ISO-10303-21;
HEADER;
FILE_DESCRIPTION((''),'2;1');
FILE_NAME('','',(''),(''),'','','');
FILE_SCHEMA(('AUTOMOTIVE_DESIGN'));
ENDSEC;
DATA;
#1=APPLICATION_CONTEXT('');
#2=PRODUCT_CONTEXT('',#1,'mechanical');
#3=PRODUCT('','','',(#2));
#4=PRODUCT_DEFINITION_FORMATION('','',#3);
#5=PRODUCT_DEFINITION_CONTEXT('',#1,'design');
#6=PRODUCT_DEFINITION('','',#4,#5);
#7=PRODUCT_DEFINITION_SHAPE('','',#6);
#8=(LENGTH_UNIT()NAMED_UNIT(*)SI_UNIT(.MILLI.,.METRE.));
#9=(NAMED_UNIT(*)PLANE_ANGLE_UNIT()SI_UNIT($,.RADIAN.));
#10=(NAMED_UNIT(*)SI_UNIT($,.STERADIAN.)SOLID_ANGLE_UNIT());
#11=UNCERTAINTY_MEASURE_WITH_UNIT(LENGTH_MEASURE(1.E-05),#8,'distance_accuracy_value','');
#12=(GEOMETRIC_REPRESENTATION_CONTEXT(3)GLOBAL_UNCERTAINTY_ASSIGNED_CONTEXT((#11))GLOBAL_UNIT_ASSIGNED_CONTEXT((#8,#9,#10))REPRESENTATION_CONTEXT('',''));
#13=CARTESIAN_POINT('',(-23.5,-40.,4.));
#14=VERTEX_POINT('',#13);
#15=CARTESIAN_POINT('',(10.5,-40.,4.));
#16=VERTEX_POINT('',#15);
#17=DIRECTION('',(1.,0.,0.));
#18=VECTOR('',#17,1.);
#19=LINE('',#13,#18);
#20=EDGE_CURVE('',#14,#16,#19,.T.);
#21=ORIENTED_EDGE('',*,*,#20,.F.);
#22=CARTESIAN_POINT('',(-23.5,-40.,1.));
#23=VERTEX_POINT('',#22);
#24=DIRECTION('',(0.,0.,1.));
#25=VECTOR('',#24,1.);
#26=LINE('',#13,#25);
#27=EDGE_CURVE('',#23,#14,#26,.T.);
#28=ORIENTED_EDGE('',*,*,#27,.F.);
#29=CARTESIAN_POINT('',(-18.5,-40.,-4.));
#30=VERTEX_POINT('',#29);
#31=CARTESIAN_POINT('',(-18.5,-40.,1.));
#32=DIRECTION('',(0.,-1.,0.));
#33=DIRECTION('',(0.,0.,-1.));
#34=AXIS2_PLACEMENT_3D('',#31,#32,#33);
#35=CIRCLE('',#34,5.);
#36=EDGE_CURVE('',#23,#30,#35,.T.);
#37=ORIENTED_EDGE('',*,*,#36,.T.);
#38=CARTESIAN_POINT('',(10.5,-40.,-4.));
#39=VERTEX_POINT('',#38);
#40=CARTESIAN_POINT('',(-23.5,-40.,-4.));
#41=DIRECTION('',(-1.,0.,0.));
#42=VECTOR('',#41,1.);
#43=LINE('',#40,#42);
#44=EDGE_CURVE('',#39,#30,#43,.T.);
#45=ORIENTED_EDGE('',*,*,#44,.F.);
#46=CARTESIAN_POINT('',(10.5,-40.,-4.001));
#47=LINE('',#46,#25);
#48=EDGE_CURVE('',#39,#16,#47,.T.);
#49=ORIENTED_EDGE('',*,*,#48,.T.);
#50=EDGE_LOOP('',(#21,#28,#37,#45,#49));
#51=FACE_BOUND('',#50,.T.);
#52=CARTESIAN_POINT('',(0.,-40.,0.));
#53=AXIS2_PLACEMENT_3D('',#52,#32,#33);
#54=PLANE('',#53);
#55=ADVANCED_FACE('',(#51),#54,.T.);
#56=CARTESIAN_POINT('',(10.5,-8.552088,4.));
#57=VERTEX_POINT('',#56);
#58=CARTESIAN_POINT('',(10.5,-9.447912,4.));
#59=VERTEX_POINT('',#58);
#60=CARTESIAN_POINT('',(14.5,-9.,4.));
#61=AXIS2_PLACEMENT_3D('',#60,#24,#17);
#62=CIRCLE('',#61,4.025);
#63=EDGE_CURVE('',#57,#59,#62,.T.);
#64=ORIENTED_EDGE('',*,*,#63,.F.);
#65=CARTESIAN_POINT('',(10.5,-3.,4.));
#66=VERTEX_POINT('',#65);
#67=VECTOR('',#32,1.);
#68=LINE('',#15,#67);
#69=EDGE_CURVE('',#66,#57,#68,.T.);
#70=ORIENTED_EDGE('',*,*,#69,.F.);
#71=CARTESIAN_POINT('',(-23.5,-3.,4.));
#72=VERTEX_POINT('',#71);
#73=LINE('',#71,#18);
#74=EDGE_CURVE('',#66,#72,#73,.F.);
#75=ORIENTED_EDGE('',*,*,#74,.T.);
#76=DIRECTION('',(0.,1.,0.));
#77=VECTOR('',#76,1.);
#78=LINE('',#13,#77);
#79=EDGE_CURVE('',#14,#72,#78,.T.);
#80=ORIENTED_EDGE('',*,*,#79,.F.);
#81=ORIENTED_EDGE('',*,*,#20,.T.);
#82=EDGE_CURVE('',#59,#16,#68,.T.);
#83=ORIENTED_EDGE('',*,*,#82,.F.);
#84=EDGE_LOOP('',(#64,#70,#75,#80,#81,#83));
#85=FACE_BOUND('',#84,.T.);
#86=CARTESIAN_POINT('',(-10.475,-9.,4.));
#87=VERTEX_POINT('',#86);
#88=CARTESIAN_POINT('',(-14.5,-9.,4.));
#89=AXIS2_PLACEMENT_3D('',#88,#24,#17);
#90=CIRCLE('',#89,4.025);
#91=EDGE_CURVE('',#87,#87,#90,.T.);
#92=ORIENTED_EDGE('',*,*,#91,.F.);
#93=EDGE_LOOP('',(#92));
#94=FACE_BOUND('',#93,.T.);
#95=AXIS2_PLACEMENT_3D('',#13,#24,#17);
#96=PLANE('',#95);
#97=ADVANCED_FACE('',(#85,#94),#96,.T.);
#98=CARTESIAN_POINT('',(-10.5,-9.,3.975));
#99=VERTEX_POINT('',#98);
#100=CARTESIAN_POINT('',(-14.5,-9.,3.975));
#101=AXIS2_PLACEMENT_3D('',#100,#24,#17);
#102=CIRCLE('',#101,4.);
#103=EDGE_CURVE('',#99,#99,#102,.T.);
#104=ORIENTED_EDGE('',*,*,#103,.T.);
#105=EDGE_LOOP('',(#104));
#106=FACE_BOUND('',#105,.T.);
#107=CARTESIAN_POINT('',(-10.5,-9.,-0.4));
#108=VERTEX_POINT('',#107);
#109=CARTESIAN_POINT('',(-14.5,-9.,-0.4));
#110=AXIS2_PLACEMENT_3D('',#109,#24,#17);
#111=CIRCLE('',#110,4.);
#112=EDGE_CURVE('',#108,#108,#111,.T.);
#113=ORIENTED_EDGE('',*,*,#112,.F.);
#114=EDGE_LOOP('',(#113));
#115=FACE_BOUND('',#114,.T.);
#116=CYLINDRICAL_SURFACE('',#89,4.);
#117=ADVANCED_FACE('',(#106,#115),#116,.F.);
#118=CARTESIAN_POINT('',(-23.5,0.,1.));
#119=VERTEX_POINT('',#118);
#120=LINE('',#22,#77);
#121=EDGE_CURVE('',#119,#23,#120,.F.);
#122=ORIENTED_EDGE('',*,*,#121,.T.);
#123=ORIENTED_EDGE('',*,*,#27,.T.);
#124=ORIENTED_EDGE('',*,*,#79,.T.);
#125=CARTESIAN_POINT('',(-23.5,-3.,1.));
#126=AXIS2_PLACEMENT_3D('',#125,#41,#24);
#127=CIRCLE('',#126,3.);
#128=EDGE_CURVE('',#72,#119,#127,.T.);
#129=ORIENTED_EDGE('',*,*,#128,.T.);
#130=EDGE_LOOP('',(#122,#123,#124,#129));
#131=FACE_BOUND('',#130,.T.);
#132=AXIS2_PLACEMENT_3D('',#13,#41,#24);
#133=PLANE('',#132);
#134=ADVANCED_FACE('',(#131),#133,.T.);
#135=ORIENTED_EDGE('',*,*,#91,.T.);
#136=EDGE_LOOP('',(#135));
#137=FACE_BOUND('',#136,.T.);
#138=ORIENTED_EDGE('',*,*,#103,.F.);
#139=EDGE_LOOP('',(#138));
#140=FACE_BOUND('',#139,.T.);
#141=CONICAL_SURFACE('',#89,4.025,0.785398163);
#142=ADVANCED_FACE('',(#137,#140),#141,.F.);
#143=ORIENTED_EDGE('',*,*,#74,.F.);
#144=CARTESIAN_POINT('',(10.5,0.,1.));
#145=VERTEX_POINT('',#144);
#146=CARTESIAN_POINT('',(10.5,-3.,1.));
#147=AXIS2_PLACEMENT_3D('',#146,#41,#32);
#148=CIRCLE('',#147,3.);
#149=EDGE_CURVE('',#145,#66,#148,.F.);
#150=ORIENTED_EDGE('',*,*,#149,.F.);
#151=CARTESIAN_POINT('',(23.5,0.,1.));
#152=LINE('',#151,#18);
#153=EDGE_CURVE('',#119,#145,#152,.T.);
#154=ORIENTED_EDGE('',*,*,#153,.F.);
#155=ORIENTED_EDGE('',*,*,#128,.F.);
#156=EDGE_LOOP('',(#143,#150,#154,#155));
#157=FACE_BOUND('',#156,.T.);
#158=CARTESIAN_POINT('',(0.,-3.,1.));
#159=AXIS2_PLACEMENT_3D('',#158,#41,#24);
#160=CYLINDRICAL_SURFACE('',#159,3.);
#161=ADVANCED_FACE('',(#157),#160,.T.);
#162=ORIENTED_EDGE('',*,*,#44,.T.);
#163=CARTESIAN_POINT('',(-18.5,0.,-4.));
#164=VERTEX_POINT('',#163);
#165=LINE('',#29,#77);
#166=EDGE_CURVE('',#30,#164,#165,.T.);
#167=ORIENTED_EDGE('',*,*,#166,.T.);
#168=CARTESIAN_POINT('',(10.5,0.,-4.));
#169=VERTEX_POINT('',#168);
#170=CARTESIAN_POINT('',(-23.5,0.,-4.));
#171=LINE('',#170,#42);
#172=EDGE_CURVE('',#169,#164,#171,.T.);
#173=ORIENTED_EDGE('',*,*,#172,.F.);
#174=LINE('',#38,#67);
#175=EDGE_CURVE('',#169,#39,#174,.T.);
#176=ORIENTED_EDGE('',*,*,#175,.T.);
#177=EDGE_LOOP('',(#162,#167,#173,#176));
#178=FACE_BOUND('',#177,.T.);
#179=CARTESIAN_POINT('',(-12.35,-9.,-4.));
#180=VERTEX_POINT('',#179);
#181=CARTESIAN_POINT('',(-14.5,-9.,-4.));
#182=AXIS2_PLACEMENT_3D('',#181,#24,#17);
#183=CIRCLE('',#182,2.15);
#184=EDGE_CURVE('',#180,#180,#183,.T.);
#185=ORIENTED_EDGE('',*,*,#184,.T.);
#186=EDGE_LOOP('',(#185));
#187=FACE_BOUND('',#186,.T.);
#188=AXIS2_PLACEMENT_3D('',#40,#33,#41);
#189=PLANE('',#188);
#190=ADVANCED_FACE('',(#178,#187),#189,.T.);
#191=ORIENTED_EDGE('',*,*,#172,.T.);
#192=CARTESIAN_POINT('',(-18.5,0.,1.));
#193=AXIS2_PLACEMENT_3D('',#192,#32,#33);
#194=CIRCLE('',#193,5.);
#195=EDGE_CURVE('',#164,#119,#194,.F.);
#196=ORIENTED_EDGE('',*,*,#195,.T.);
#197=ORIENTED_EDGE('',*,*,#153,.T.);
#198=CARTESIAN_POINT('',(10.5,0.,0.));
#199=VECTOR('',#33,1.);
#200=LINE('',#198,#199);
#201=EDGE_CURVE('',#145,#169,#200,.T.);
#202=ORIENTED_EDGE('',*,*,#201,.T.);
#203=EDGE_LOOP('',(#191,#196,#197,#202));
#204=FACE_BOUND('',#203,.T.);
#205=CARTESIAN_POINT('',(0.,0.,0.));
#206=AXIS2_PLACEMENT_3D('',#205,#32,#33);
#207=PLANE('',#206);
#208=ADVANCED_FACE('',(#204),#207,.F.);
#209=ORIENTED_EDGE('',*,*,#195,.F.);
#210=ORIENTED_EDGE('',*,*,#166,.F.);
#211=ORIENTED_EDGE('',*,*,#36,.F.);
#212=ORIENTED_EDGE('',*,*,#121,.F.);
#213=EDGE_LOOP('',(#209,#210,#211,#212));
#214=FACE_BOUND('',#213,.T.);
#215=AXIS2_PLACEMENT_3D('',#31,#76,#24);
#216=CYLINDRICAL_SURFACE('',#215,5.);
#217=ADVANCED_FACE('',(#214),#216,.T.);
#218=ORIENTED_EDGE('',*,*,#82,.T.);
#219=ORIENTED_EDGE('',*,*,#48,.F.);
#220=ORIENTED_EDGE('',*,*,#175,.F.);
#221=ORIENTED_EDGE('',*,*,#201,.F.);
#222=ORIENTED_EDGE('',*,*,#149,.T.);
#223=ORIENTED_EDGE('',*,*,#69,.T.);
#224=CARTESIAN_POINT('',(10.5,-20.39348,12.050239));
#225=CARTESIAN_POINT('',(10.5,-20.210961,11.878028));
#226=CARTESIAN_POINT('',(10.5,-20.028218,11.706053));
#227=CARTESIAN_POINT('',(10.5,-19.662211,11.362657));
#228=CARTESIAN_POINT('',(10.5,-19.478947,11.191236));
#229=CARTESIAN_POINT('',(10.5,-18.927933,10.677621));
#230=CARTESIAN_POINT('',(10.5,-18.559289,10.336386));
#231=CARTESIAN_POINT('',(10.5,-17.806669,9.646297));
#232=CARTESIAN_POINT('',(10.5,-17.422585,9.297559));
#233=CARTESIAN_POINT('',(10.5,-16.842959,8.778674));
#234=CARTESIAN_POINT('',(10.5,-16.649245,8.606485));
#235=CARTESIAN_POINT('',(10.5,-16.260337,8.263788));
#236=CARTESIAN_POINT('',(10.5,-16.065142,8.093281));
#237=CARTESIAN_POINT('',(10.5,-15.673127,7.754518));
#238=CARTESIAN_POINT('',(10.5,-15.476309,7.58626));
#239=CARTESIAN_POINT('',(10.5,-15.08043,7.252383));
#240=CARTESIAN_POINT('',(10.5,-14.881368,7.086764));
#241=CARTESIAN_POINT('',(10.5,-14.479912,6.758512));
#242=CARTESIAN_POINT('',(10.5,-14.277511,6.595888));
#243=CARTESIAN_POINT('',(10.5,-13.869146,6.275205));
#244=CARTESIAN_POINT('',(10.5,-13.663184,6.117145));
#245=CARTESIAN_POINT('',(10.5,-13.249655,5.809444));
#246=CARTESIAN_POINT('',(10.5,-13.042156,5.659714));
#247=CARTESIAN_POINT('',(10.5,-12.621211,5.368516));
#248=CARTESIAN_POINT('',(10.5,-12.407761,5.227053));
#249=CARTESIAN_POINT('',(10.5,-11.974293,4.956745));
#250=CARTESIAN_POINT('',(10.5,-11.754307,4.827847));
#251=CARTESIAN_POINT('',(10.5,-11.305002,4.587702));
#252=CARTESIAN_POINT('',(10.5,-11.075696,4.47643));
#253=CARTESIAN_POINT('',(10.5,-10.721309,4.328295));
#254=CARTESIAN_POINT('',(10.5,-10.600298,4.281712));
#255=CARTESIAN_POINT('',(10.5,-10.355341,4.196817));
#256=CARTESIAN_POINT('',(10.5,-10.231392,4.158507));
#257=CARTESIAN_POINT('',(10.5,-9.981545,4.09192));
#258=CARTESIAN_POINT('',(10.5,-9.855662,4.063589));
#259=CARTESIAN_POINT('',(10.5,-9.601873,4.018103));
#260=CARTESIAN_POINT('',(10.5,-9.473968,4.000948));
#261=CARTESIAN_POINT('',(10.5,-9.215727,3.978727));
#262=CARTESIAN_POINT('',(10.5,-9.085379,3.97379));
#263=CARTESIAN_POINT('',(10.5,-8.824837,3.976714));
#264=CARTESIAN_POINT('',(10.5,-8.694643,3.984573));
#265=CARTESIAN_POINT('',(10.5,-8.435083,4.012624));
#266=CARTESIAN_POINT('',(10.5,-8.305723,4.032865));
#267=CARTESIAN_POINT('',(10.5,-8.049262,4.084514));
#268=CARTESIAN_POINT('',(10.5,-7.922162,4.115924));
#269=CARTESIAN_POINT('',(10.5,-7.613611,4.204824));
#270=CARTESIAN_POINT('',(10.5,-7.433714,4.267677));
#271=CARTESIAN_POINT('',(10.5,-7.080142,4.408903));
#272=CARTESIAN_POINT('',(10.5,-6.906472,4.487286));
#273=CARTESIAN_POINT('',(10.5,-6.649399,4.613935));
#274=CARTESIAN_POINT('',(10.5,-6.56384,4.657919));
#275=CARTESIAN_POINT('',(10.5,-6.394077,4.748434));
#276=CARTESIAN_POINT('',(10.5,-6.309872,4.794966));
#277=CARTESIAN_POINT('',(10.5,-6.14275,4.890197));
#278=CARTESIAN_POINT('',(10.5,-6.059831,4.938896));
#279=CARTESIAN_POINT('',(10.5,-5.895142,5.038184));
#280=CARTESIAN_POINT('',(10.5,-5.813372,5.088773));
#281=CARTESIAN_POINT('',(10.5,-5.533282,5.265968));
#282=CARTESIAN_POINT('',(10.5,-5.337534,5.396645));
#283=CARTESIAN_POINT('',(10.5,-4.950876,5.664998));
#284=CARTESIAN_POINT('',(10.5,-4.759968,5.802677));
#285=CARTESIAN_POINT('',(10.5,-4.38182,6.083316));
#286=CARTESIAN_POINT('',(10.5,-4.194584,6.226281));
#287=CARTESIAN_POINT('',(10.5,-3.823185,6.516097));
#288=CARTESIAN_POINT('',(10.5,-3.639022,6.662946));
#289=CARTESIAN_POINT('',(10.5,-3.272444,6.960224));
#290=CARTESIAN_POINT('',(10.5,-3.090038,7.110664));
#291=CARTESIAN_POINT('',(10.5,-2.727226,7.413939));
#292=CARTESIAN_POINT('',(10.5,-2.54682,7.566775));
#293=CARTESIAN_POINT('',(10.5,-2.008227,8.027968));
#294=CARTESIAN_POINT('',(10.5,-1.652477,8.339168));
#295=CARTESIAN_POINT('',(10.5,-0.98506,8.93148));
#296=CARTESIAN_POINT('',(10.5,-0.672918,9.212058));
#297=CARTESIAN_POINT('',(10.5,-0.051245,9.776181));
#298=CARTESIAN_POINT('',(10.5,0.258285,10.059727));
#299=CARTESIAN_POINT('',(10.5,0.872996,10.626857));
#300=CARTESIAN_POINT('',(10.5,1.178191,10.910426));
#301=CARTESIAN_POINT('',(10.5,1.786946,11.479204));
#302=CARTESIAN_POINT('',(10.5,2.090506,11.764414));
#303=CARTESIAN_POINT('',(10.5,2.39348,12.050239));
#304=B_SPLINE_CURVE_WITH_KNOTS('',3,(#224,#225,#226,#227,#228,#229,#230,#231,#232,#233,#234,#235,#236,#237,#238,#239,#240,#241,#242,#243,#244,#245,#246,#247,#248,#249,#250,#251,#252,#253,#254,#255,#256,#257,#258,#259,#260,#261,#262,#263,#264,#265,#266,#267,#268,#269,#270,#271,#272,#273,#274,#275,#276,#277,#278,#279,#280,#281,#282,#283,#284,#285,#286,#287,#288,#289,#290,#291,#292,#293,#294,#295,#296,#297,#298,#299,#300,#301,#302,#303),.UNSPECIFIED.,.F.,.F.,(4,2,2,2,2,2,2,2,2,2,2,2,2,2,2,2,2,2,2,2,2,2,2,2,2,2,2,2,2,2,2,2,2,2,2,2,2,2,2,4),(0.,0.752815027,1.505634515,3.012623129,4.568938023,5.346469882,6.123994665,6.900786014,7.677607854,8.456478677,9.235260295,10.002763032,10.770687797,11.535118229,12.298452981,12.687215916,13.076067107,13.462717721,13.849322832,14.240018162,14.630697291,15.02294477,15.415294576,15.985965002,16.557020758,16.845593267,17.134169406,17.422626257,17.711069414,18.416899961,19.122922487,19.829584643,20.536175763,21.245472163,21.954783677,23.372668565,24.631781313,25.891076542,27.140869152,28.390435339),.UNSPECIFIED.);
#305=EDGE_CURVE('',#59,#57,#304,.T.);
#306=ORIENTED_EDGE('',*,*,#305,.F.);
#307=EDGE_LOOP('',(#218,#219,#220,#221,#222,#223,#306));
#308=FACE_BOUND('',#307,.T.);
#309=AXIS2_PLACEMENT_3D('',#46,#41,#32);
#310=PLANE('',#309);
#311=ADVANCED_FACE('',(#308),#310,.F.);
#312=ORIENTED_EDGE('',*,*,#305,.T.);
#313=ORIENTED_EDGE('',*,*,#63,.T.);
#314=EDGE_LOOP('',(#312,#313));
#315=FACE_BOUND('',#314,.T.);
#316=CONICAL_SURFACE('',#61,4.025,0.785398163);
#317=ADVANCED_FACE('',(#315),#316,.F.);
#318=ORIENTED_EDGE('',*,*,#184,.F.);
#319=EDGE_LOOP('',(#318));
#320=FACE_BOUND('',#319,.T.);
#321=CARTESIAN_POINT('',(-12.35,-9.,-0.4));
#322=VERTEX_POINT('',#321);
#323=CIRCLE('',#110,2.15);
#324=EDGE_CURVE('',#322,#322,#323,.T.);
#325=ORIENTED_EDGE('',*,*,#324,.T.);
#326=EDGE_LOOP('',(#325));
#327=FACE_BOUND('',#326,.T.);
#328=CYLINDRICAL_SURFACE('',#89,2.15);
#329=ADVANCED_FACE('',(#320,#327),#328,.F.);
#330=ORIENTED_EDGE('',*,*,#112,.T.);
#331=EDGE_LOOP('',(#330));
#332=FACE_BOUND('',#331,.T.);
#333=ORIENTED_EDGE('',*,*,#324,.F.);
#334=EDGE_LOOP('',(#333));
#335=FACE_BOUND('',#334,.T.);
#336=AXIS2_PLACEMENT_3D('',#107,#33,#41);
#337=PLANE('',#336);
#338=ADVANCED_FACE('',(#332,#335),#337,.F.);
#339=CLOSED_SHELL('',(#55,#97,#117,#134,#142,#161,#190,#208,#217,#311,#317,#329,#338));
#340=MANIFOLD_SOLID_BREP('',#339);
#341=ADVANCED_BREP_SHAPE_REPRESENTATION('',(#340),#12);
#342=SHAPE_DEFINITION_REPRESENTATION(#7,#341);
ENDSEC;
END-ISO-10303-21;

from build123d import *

# Parameters (mm, degrees)
SKETCH1_W                                    = 47
SKETCH1_H                                    = 8
BOSS_EXTRUDE1_DEPTH                          = 40
FILLET1_R                                    = 3
FILLET2_R                                    = 5
CBORE_FOR_M4_HEX_SOCKET_HEAD_CAP_SCR_2_COUNT = 2
CBORE_FOR_M4_HEX_SOCKET_HEAD_CAP_SCR_2_PITCH = 29
CUT_EXTRUDE1_REACH                           = 49.077
SKETCH5_W                                    = 13
SKETCH5_H                                    = 44.997787144


with BuildPart() as part:
    # Sketch1 → Boss-Extrude1 (new body)
    with BuildSketch(Plane(origin=(0, 0, 0), x_dir=(1, 0, 0), z_dir=(0, 1, 0))):
        Rectangle(SKETCH1_W, SKETCH1_H)
    extrude(amount=-BOSS_EXTRUDE1_DEPTH)

    # Fillet1
    fillet1_edges = [part.edges().sort_by_distance(p)[0] for p in [
        (0, 0, 4),
    ]]
    fillet(fillet1_edges, radius=FILLET1_R)

    # Fillet2
    fillet2_edges = [part.edges().sort_by_distance(p)[0] for p in [
        (-23.5, -20, -4),
        (23.5, -20, -4),
    ]]
    fillet(fillet2_edges, radius=FILLET2_R)

    # Sketch3 → CBORE for M4 Hex Socket Head Cap Screw1 (revolve, cut)
    with BuildSketch(Plane(origin=(-14.5, -9, 4), x_dir=(0, -1, 0), z_dir=(1, 0, 0))):
        Polygon((0, 0), (0, 8), (2.15, 8), (2.15, 4.4), (4, 4.4), (4, 0.025), (4.025, 0), align=None)
    cbore_for_m4_hex_socket_head_cap_screw1 = revolve(axis=Axis((-14.5, -9, 10.35), (0, 0, -1)), mode=Mode.SUBTRACT)

    # CBORE for M4 Hex Socket Head Cap Scr 2: CBORE for M4 Hex Socket Head Cap Screw1 ×2
    with Locations(*[(i * CBORE_FOR_M4_HEX_SOCKET_HEAD_CAP_SCR_2_PITCH, 0, 0) for i in range(1, CBORE_FOR_M4_HEX_SOCKET_HEAD_CAP_SCR_2_COUNT)]):
        add(cbore_for_m4_hex_socket_head_cap_screw1, mode=Mode.SUBTRACT)

    # Sketch5 → Cut-Extrude1 (cut, up to next)
    with BuildSketch(Plane.XY.offset(4), mode=Mode.PRIVATE) as cut_extrude1_sk1:
        with Locations((17, -17.501106428)):
            Rectangle(SKETCH5_W, SKETCH5_H)
    cut_extrude1_tool1 = extrude(cut_extrude1_sk1.sketch, amount=-CUT_EXTRUDE1_REACH, mode=Mode.PRIVATE) & part.part
    add(cut_extrude1_tool1.solids().sort_by_distance((17, -17.501106, 4))[0], mode=Mode.SUBTRACT)


solid = part.part
